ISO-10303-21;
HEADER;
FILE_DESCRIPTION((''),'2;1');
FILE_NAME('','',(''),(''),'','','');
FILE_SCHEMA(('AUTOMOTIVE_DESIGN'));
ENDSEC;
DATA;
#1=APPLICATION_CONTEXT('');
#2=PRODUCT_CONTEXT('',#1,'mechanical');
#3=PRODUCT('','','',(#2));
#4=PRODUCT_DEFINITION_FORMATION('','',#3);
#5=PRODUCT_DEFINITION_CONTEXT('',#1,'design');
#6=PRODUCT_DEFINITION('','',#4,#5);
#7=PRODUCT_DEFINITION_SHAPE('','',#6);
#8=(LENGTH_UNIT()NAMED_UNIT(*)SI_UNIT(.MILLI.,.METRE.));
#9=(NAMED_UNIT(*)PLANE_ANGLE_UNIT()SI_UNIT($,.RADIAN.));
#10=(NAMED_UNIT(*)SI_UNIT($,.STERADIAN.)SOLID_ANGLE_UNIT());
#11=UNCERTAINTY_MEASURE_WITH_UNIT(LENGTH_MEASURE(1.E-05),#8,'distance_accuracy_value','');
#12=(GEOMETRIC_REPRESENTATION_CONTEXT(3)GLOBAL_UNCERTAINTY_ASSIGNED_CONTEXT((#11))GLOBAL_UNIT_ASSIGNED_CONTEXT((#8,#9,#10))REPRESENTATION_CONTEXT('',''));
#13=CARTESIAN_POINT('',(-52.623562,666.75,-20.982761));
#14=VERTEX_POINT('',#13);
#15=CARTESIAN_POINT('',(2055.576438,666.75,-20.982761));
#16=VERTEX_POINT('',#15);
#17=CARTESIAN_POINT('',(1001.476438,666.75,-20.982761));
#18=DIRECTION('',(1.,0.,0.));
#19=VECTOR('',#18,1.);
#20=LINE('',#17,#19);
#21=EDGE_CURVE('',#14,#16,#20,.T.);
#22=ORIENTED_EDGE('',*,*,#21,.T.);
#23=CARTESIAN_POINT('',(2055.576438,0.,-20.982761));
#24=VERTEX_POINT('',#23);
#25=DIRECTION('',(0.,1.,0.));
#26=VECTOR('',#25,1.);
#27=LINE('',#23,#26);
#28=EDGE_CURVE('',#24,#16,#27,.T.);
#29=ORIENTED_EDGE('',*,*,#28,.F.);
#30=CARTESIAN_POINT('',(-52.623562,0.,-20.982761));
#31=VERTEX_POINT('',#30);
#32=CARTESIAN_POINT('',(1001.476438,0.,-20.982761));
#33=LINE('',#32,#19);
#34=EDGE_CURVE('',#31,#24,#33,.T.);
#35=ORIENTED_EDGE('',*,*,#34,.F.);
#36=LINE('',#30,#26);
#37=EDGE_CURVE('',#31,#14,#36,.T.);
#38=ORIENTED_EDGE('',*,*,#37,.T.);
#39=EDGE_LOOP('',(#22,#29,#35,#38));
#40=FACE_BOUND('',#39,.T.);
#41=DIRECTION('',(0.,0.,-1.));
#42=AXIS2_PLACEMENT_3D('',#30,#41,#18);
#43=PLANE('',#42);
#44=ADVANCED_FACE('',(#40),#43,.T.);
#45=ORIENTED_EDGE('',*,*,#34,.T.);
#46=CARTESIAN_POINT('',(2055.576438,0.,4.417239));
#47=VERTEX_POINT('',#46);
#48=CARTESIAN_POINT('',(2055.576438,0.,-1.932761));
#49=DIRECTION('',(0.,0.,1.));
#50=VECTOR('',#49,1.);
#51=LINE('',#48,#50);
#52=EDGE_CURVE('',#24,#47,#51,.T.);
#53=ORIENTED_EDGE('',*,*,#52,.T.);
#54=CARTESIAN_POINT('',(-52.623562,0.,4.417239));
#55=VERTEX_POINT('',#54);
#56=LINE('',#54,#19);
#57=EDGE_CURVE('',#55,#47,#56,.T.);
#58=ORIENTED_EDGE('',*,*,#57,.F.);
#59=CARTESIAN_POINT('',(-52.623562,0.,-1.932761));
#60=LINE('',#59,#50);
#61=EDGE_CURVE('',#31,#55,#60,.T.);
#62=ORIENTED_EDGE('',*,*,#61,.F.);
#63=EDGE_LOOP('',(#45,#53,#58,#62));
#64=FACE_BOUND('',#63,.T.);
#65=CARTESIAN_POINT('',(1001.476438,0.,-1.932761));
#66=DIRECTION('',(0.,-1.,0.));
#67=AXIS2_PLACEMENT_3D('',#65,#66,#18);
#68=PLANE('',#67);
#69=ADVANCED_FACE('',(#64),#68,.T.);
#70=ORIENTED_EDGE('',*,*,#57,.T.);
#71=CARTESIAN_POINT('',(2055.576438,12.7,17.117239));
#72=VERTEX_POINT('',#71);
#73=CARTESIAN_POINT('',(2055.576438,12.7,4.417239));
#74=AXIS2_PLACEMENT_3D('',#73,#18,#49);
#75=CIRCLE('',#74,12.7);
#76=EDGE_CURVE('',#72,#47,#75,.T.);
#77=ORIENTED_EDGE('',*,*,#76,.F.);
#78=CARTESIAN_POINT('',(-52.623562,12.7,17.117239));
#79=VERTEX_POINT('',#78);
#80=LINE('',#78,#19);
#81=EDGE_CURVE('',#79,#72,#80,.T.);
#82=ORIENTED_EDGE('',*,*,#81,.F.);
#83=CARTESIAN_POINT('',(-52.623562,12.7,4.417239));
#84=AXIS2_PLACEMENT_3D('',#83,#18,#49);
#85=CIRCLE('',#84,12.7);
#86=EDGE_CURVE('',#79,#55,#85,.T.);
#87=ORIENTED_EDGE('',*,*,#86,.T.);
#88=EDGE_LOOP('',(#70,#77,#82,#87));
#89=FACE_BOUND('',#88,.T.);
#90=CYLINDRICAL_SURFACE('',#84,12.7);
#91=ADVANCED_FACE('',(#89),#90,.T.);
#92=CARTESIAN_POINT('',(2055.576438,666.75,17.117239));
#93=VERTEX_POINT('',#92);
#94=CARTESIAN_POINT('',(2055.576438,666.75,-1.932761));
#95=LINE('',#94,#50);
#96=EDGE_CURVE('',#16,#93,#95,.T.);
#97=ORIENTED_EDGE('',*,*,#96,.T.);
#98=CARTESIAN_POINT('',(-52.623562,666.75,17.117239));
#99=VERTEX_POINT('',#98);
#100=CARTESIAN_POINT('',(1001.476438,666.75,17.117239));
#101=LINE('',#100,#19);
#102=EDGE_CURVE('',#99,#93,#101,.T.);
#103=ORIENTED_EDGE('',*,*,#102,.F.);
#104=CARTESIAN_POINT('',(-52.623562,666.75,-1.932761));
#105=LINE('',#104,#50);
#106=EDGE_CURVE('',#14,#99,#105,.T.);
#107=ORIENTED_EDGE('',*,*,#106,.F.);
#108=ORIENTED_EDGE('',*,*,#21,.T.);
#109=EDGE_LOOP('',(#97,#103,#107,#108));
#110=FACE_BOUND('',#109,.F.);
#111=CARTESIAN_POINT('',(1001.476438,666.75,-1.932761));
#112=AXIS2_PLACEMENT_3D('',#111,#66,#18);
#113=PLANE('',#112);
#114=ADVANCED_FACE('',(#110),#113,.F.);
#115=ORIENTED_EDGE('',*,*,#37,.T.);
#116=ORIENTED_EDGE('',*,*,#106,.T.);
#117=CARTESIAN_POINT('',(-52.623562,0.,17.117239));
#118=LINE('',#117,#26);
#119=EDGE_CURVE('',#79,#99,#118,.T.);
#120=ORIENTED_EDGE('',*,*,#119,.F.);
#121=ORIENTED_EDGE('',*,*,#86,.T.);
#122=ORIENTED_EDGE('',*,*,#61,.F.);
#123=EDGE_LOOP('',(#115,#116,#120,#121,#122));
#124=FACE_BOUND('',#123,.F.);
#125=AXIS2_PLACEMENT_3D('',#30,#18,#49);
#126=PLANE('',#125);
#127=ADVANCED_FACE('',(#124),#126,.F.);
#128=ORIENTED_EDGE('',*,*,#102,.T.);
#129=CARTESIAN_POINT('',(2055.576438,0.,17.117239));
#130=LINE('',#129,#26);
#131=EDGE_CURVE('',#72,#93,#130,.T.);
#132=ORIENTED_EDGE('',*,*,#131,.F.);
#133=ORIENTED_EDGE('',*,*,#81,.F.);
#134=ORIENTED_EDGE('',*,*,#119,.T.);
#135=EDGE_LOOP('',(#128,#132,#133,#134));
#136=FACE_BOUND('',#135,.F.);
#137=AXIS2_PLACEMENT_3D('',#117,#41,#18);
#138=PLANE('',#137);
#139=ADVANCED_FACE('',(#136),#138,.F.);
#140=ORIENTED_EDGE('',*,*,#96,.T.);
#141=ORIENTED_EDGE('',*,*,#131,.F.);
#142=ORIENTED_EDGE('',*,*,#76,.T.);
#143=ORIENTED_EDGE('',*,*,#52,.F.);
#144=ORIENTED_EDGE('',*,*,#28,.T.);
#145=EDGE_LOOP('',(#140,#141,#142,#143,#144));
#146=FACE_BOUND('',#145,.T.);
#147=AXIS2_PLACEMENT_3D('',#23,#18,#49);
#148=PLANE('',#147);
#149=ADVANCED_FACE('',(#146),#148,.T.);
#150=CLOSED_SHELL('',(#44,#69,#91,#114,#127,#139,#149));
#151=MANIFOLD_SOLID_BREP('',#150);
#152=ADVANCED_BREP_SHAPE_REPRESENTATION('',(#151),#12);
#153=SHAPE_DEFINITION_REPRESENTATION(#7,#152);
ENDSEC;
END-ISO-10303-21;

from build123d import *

# Parameters (mm, degrees)
F0_W     = 2108.2
F0_H     = 38.1
F1_DEPTH = 666.75
F2_R     = 12.7


with BuildPart() as f1:
    # F0 (on Front) → F1 (new body)
    with BuildSketch(Plane.XZ):
        with Locations((1001.476438, -1.932761)):
            Rectangle(F0_W, F0_H)
    extrude(amount=-F1_DEPTH)

    # F2
    f2_edges = [f1.edges().sort_by_distance(p)[0] for p in [
        (1001.476438, 0, 17.117239),
    ]]
    fillet(f2_edges, radius=F2_R)


solid = f1.part
